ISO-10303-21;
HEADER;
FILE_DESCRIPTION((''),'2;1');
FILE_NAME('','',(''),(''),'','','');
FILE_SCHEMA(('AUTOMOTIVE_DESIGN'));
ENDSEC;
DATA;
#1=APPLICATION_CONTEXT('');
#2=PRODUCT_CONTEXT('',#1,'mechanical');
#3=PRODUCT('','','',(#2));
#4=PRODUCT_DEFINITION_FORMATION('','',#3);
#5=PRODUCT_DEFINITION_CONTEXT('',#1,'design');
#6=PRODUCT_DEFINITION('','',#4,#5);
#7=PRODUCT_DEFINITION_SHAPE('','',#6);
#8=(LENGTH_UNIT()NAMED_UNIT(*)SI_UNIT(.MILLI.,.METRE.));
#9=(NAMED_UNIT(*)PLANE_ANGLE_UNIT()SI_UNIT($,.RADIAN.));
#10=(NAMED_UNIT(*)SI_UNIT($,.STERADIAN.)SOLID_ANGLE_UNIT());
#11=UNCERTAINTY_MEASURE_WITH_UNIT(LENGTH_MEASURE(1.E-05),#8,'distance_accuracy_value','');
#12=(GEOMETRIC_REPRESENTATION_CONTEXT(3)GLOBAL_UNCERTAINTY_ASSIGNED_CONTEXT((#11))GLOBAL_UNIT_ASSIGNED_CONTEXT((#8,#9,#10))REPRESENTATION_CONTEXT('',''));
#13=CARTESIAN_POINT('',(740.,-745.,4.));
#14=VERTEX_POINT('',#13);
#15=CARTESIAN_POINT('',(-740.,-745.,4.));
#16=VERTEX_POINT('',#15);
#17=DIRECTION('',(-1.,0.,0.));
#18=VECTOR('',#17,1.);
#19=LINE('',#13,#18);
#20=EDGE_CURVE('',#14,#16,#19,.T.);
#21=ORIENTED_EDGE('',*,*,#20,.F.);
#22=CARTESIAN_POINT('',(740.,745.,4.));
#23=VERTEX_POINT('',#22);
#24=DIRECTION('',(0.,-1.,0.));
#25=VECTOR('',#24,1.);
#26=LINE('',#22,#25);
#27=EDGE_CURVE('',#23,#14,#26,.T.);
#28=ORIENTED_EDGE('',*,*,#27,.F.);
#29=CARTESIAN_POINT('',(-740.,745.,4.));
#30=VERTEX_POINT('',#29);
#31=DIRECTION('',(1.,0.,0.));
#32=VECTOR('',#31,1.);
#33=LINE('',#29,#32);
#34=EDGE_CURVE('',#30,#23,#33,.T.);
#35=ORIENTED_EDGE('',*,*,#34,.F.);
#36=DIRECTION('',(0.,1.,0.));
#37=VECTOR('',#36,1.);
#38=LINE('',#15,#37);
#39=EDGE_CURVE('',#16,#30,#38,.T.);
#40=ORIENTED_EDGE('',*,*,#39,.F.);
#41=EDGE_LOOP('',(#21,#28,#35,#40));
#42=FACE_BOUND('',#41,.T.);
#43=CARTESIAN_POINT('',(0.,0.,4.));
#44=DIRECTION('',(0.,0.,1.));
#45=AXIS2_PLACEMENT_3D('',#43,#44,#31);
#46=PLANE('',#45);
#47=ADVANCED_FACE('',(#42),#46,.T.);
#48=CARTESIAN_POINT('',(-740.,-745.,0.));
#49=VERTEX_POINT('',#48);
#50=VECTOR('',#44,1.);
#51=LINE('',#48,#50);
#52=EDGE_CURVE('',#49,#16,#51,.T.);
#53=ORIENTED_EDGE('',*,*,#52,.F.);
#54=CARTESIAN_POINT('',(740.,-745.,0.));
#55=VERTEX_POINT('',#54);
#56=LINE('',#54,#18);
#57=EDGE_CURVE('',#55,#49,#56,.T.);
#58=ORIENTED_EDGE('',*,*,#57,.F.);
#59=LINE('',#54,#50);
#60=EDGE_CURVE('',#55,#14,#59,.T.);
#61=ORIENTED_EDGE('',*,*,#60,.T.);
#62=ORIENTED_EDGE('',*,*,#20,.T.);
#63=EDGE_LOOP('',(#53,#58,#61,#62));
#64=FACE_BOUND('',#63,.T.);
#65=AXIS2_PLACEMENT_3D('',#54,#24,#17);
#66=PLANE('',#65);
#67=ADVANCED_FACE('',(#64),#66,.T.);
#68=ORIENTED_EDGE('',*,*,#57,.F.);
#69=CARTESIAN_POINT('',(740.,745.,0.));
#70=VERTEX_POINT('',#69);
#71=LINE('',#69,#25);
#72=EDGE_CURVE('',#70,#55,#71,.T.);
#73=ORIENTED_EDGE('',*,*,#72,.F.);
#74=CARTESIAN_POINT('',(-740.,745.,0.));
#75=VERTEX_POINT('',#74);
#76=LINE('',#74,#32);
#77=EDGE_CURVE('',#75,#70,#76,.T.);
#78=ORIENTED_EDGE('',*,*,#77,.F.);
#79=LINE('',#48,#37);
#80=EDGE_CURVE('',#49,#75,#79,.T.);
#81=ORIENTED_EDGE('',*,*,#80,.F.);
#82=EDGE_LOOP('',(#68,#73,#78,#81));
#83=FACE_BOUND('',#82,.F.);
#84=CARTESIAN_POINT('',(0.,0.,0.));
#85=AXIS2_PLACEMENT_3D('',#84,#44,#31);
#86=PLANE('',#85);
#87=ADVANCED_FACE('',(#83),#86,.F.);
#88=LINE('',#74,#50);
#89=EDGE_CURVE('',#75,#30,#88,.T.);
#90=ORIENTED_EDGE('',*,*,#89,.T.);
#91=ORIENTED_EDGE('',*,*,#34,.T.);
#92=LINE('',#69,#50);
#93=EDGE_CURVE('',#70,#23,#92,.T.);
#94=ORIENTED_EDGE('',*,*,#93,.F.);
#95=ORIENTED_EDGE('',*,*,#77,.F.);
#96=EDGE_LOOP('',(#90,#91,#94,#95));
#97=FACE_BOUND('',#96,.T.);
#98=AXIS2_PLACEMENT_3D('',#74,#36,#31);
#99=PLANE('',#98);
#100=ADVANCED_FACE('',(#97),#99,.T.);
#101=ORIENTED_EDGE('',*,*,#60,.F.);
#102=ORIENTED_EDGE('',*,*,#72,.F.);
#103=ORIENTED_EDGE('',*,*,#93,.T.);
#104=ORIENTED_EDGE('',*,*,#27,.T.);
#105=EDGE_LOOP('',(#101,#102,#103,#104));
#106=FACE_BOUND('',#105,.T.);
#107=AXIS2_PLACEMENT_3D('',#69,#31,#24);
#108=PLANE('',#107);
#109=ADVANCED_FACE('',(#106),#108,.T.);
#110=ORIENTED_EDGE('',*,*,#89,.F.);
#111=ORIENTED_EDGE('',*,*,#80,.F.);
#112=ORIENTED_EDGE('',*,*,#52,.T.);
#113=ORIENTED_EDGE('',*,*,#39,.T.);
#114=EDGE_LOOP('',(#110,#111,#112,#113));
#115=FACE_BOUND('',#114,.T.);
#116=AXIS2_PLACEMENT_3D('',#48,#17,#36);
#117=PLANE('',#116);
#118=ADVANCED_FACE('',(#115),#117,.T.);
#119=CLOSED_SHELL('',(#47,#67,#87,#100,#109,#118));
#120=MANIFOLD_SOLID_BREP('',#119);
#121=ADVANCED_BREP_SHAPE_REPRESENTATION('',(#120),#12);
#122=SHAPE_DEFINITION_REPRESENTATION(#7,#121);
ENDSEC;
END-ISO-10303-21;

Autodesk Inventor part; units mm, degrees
ref_plane "YZ Plane" through (0, 0, 0) normal (1, 0, 0) x (0, 1, 0)
ref_plane "XZ Plane" through (0, 0, 0) normal (0, 1, 0) x (-1, 0, 0)
ref_plane "XY Plane" through (0, 0, 0) normal (0, 0, 1) x (1, 0, 0)
sketch "Sketch1" plane through (0, 0, 0) normal (0, 0, 1) x (1, 0, 0)
  line L0 (740, -745) -> (-740, -745)
  line L1 (-740, -745) -> (-740, 745)
  line L2 (-740, 745) -> (740, 745)
  line L3 (740, 745) -> (740, -745)
  line L4 (740, -745) -> (-740, 745) construction
  line L5 (-740, -745) -> (740, 745) construction
  point P0 (0, 0)
  dimension "d0" = 1480
  dimension "d1" = 1490
extrude "Plate1" add sketch "Sketch1" along normal blind 4
equation "\"d0\" = Лист_ширина"
equation "\"d1\" = 0.5 * Лист_длина"
equation "\"d2\" = Thickness"
equation "\"BendRadius\" = Thickness"
equation "\"BendReliefWidth\" = Thickness"
equation "\"BendReliefDepth\" = 0.5 * Thickness"
equation "\"CornerReliefSize\" = 4 * Thickness"
equation "\"MinimumRemnant\" = 2 * Thickness"
equation "\"TransitionRadius\" = BendRadius"
equation "\"JacobiRadiusSize\" = BendRadius"
equation "\"GapSize\" = Thickness"
equation "\"Лист_ширина\" = 1480"
equation "\"Лист_длина\" = 2980"
equation "\"Thickness\" = 4"
properties part number "010.7 GBK shield" material "Steel"
